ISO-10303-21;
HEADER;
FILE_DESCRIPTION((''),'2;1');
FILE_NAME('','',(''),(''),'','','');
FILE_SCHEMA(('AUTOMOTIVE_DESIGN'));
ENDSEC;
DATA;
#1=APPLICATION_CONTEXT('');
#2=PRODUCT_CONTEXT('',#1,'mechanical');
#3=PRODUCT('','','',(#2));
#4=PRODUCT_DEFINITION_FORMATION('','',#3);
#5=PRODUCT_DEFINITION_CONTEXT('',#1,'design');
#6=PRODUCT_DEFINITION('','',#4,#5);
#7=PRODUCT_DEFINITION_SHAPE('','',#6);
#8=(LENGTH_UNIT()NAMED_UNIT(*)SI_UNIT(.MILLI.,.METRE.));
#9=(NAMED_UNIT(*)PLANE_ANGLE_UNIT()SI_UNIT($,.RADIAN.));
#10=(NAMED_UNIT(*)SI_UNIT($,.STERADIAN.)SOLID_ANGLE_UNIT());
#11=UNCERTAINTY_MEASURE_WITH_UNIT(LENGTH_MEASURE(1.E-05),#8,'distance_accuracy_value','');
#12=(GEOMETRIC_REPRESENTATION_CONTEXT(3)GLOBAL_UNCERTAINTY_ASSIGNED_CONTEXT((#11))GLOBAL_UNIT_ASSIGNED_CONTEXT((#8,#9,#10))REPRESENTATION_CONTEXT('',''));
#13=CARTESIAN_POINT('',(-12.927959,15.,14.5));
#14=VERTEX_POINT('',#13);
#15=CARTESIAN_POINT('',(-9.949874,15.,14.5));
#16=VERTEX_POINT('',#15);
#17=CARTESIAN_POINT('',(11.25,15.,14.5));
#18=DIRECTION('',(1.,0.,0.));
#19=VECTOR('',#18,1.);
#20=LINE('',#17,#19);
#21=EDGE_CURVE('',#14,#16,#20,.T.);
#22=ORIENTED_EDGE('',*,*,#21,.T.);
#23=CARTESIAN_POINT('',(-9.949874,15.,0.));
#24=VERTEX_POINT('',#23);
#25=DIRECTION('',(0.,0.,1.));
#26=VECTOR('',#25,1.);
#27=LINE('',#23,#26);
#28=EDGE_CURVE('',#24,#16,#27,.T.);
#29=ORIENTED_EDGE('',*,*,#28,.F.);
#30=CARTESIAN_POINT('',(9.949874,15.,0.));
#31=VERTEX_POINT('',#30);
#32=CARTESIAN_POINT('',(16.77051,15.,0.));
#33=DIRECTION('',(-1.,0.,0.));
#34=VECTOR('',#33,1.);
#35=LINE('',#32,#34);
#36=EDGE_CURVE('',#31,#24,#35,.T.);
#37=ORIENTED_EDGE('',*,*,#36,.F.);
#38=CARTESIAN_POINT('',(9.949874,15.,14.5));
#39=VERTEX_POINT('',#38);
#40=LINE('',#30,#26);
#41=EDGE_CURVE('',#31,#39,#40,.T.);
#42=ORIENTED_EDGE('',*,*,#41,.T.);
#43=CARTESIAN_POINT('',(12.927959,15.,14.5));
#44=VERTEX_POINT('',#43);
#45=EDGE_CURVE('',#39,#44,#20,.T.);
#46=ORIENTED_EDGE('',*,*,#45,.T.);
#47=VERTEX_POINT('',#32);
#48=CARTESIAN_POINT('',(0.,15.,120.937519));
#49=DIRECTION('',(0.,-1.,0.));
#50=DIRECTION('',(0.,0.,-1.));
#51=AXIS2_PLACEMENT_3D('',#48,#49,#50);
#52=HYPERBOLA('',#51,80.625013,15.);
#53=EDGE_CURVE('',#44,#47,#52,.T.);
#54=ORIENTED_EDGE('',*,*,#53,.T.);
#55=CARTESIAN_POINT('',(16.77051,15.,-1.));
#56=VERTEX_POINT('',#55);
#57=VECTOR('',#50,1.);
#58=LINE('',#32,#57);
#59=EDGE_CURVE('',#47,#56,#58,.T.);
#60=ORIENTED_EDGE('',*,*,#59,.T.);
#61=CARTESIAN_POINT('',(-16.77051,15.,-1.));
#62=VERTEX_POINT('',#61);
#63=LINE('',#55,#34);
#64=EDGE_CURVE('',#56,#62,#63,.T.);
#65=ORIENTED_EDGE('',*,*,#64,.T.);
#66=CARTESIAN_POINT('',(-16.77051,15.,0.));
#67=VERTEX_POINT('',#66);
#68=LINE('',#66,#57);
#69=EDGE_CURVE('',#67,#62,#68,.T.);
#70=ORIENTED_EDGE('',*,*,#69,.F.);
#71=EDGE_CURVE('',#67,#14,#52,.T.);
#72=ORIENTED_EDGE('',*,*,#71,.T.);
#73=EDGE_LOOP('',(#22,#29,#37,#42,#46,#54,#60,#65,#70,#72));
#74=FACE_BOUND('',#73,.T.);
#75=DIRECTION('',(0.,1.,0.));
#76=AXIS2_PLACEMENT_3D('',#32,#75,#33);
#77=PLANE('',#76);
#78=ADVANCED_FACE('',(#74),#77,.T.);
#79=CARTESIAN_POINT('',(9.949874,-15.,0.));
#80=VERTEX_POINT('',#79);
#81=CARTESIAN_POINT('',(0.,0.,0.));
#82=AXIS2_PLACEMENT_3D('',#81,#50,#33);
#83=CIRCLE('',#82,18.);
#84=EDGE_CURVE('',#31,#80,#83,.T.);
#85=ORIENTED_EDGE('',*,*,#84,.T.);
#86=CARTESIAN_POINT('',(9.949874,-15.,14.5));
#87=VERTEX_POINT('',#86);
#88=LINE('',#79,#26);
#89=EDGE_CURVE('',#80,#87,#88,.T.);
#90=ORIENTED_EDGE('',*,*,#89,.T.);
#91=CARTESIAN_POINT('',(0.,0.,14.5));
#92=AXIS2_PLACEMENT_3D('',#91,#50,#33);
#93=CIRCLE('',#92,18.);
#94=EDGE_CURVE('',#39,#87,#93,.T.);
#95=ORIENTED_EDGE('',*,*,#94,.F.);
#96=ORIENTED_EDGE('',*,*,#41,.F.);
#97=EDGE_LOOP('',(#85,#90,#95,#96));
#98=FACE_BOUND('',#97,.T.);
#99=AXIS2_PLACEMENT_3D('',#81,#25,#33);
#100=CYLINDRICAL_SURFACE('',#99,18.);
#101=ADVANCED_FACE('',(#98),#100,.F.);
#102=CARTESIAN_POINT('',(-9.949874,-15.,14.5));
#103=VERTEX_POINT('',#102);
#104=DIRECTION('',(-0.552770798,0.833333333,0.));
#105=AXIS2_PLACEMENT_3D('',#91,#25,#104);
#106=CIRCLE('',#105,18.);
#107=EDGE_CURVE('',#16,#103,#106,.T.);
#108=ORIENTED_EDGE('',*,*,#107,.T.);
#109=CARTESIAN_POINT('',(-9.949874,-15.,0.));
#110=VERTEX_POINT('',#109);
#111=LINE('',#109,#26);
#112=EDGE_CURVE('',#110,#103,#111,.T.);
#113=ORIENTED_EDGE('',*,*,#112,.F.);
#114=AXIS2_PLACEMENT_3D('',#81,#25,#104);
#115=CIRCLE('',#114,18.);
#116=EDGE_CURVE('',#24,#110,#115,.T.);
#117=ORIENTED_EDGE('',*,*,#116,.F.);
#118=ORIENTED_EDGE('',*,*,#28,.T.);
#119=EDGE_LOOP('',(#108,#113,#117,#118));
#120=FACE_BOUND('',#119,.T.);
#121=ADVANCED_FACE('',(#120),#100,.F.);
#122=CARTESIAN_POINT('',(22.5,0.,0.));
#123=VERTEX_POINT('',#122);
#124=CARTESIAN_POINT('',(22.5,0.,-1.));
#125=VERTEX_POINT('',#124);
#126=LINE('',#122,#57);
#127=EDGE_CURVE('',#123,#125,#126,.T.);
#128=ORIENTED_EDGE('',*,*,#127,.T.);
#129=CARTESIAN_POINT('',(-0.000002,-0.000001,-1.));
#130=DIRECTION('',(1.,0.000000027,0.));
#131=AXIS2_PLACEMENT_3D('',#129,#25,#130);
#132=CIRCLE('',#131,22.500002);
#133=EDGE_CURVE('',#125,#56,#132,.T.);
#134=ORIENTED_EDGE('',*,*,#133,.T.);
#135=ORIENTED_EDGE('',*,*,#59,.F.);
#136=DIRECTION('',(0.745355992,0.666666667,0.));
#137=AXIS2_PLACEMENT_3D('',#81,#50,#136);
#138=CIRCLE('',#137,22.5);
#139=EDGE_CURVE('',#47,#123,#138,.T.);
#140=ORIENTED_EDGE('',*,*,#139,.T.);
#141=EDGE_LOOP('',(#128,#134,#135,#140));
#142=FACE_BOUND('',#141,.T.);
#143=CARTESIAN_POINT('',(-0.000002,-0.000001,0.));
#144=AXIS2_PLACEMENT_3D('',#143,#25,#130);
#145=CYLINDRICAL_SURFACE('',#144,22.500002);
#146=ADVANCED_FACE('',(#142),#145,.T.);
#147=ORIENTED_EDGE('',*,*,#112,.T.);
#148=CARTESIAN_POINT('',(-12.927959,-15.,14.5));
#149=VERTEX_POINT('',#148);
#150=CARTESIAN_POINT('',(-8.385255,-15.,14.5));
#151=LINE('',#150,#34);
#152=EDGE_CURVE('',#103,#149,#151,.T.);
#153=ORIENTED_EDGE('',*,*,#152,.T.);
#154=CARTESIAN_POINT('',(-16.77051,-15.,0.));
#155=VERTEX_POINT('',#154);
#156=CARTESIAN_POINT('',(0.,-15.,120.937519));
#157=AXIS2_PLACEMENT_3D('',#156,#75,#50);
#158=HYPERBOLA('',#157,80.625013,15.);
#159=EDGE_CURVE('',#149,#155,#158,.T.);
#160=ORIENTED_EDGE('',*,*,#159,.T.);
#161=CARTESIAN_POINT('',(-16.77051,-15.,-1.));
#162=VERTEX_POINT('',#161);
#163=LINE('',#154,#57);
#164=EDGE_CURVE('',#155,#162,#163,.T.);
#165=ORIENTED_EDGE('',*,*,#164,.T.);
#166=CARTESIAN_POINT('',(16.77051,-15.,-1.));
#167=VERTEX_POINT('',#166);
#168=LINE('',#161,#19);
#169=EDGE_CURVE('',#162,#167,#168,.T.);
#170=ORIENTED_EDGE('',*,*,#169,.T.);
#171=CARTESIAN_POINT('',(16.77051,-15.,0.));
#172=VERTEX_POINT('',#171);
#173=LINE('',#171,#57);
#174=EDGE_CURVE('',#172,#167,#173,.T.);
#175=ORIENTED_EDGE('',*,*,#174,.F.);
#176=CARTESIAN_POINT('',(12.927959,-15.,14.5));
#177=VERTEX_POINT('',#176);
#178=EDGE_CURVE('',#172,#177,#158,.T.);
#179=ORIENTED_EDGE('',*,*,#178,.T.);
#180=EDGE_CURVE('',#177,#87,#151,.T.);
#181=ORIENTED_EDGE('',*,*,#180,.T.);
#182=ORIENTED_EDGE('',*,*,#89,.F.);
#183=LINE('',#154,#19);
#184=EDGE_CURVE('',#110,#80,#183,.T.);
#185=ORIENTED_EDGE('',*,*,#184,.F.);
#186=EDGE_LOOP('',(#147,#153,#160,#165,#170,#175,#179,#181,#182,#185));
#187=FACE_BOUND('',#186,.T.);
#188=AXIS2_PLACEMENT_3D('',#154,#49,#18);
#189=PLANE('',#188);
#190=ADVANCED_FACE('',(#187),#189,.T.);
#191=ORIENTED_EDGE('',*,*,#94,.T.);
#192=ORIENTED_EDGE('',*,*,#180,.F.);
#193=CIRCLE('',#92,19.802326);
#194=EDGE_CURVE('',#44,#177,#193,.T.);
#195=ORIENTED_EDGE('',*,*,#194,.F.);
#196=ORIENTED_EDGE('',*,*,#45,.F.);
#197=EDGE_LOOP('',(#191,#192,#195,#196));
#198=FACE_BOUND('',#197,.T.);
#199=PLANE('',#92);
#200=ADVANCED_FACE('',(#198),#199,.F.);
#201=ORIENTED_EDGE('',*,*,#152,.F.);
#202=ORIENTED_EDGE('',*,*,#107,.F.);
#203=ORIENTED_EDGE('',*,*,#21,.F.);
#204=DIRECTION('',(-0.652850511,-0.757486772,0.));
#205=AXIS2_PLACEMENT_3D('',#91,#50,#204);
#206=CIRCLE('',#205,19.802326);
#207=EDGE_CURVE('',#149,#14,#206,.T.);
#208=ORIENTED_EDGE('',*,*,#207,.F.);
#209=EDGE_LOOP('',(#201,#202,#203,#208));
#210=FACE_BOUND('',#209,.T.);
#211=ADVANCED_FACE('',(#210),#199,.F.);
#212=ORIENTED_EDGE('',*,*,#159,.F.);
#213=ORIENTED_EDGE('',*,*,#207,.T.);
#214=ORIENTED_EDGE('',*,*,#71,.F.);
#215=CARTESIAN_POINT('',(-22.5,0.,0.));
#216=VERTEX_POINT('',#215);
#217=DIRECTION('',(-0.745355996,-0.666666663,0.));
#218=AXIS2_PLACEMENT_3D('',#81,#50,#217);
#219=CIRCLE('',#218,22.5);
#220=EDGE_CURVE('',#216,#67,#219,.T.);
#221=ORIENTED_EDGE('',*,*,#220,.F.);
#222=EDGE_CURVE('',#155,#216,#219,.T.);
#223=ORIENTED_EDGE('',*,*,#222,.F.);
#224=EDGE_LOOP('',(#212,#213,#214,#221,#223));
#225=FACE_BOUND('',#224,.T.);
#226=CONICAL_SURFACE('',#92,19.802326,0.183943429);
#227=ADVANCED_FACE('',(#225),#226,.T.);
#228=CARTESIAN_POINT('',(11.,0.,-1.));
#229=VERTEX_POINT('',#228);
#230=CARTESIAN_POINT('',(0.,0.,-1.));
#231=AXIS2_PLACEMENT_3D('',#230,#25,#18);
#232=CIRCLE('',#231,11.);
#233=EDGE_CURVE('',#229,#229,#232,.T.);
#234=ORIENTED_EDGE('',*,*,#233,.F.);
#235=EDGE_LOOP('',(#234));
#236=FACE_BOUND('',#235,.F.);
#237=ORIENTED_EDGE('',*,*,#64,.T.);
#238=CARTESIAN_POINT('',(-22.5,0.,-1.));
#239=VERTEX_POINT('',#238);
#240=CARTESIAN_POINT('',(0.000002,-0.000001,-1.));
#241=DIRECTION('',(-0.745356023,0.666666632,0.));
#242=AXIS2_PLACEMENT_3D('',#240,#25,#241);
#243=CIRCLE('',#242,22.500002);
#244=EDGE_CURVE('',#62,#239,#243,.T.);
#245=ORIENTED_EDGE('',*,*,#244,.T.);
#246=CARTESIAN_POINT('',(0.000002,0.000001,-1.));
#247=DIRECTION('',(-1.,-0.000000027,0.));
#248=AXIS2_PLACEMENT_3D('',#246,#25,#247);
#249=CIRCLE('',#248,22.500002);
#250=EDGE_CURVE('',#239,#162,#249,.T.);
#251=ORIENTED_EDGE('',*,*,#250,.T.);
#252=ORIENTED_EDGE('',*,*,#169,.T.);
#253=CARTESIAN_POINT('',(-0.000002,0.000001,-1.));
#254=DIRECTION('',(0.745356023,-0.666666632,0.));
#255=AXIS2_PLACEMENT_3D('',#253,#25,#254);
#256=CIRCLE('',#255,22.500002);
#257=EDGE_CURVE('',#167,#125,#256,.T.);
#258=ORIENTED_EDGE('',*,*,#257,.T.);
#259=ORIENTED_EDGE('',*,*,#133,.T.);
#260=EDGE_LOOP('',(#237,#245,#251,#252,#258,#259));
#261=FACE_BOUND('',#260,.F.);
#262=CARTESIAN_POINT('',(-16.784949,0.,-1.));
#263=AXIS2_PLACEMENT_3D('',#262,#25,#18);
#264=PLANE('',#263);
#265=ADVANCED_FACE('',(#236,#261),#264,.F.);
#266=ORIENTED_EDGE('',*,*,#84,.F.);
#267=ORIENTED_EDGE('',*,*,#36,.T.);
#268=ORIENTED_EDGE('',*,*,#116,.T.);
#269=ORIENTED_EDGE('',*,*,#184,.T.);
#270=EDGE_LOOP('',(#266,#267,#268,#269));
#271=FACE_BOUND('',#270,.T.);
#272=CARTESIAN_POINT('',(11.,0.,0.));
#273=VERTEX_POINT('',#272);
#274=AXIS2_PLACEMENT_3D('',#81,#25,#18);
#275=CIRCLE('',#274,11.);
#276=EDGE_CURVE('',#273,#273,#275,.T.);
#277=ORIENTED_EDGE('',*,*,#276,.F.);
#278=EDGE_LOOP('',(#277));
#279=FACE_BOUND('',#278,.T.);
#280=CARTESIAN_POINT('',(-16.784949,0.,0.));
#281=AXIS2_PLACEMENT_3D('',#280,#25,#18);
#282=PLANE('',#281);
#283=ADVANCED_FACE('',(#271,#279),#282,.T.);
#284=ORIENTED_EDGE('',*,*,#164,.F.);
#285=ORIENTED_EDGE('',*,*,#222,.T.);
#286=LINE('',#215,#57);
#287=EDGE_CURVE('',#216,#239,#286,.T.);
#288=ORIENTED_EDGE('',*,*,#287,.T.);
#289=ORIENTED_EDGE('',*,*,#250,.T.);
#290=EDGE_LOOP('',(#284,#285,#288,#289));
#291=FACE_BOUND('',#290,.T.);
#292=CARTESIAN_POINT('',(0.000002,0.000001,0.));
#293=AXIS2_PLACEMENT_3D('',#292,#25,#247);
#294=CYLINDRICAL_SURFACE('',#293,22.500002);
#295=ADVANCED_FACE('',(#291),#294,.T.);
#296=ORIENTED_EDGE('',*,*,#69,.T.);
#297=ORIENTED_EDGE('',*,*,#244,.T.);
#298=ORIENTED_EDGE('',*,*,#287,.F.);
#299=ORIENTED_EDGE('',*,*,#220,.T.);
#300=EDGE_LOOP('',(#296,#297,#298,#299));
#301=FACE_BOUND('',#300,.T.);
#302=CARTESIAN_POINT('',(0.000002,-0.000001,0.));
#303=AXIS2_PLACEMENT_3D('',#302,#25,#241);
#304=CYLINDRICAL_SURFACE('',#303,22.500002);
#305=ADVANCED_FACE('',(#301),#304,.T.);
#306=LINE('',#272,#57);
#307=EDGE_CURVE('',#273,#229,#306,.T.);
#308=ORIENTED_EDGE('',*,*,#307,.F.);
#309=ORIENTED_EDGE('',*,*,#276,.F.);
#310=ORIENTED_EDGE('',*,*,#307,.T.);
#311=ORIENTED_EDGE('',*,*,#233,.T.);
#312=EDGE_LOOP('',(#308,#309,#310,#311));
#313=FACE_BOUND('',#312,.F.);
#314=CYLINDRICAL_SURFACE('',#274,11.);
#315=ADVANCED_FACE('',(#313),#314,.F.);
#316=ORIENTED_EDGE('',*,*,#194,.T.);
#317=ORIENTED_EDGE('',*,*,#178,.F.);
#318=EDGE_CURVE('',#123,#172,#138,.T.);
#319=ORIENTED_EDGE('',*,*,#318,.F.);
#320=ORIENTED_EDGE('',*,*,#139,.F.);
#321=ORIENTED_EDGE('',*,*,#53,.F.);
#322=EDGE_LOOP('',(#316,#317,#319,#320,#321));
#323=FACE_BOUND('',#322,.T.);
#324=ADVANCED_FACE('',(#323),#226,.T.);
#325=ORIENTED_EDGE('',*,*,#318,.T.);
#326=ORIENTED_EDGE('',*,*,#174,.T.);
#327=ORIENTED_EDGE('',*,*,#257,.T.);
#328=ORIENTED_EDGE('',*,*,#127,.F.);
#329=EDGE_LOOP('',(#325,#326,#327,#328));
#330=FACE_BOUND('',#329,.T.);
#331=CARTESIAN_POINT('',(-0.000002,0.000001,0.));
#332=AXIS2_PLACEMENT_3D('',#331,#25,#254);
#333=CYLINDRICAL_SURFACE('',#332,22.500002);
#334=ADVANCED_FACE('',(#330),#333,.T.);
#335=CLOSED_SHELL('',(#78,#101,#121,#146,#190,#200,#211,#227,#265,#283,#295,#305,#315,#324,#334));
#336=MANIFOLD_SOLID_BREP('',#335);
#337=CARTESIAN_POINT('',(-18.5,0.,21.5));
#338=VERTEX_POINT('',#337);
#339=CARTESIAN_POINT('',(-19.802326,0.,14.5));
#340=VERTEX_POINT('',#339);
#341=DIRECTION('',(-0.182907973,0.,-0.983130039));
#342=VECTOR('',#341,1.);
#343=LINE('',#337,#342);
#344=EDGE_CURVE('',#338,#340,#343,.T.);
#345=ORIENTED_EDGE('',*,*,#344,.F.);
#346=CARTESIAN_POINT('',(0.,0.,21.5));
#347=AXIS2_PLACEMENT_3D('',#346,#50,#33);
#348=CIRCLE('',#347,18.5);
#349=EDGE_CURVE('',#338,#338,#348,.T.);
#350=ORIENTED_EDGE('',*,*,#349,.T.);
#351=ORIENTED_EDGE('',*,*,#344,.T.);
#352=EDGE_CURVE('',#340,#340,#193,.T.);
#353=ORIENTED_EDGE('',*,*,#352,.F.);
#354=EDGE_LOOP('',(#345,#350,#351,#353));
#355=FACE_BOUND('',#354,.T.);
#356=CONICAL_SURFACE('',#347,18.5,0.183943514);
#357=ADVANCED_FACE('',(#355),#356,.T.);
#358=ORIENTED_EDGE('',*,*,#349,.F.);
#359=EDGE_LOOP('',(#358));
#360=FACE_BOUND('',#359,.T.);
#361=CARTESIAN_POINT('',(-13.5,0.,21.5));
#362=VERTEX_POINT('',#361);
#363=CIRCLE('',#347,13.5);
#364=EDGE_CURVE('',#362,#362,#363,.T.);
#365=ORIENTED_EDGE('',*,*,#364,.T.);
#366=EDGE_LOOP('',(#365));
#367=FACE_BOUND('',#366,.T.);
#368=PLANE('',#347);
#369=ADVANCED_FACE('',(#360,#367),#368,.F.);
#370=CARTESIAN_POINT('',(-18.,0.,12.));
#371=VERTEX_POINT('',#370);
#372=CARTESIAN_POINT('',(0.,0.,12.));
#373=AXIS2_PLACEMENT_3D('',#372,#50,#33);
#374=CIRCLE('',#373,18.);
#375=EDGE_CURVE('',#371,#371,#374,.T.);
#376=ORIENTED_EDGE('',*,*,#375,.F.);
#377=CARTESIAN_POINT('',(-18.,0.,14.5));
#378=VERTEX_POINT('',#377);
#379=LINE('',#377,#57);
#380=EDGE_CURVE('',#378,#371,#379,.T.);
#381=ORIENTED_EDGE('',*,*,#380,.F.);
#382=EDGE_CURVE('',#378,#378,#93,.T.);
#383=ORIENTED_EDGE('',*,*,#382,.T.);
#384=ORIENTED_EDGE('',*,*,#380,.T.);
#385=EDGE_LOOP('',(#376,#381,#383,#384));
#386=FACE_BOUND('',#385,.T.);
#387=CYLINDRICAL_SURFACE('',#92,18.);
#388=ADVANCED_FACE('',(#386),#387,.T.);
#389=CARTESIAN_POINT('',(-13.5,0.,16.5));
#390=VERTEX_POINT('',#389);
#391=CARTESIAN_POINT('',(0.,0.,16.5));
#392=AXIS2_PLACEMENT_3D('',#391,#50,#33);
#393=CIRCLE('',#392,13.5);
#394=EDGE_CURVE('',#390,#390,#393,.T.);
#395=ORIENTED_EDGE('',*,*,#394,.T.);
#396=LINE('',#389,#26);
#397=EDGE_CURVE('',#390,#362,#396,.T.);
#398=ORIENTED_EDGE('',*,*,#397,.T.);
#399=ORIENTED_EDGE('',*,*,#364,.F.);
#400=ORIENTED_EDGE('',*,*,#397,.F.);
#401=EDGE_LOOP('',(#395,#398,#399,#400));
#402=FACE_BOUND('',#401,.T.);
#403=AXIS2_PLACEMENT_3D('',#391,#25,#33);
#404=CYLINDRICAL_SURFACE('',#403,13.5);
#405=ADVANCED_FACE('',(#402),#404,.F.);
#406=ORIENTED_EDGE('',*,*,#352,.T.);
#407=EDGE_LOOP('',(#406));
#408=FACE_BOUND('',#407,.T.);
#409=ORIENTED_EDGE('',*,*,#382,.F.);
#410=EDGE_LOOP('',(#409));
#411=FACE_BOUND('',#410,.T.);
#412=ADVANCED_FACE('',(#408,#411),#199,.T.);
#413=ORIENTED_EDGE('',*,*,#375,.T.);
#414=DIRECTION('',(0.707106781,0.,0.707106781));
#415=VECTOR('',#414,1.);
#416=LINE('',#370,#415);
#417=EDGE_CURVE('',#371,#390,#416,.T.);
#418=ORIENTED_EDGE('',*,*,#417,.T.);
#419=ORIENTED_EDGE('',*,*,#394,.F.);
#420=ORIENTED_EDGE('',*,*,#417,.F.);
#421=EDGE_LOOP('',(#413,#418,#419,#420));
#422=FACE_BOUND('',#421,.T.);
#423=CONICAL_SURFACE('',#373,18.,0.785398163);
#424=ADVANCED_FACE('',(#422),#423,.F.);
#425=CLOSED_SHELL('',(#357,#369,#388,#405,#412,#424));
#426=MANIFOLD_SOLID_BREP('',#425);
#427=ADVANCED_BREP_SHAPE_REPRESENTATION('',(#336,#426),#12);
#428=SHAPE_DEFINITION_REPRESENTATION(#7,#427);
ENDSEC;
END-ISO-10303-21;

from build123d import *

# Parameters (mm, degrees)
F0_R     = 11
F3_DEPTH = 25
F4_DEPTH = 1


with BuildPart() as f2:
    # F1 (on Front) → F2 (revolve)
    with BuildSketch(Plane.XZ):
        Polygon((-22.5, 0), (-18, 0), (-18, 12), (-18, 14.5), (-19.802326, 14.5), align=None)
    revolve(axis=Axis((0, 0, 2.402903), (0, 0, -1)))

    # F0 (on Top) → F3 (intersect)
    with BuildSketch(Plane.XY):
        with BuildLine():
            ThreePointArc((22.5, 0), (21.018878, -8.028497), (16.77051, -15))
            Line((16.77051, -15), (22.5, -15))
            Line((22.5, -15), (22.5, 0))
        make_face()
        with BuildLine():
            ThreePointArc((-9.949874, -15), (-18, 0), (-9.949874, 15))
            Line((-9.949874, 15), (-16.77051, 15))
            ThreePointArc((-16.77051, 15), (-21.018878, 8.028497), (-22.5, 0))
            ThreePointArc((-22.5, 0), (-21.018878, -8.028497), (-16.77051, -15))
            Line((-16.77051, -15), (-9.949874, -15))
        make_face()
        with BuildLine():
            Line((22.5, 15), (16.77051, 15))
            ThreePointArc((16.77051, 15), (21.018878, 8.028497), (22.5, 0))
            Line((22.5, 0), (22.5, 15))
        make_face()
        with BuildLine():
            ThreePointArc((9.949874, -15), (15.860292, -8.511823), (18, 0))
            ThreePointArc((18, 0), (15.860292, 8.511823), (9.949874, 15))
            Line((9.949874, 15), (-9.949874, 15))
            ThreePointArc((-9.949874, 15), (-18, 0), (-9.949874, -15))
            Line((-9.949874, -15), (9.949874, -15))
        make_face()
        Circle(F0_R, mode=Mode.SUBTRACT)
        Circle(F0_R)
        with BuildLine():
            ThreePointArc((9.949874, 15), (15.860292, 8.511823), (18, 0))
            ThreePointArc((18, 0), (15.860292, -8.511823), (9.949874, -15))
            Line((9.949874, -15), (16.77051, -15))
            ThreePointArc((16.77051, -15), (21.018878, -8.028497), (22.5, 0))
            ThreePointArc((22.5, 0), (21.018878, 8.028497), (16.77051, 15))
            Line((16.77051, 15), (9.949874, 15))
        make_face()
    extrude(amount=F3_DEPTH, mode=Mode.INTERSECT)

    # F0 (on Top) → F4 (join)
    with BuildSketch(Plane.XY):
        with BuildLine():
            ThreePointArc((-9.949874, -15), (-18, 0), (-9.949874, 15))
            Line((-9.949874, 15), (-16.77051, 15))
            ThreePointArc((-16.77051, 15), (-21.018878, 8.028497), (-22.5, 0))
            ThreePointArc((-22.5, 0), (-21.018878, -8.028497), (-16.77051, -15))
            Line((-16.77051, -15), (-9.949874, -15))
        make_face()
        with BuildLine():
            ThreePointArc((9.949874, -15), (15.860292, -8.511823), (18, 0))
            ThreePointArc((18, 0), (15.860292, 8.511823), (9.949874, 15))
            Line((9.949874, 15), (-9.949874, 15))
            ThreePointArc((-9.949874, 15), (-18, 0), (-9.949874, -15))
            Line((-9.949874, -15), (9.949874, -15))
        make_face()
        Circle(F0_R, mode=Mode.SUBTRACT)
        with BuildLine():
            ThreePointArc((9.949874, 15), (15.860292, 8.511823), (18, 0))
            ThreePointArc((18, 0), (15.860292, -8.511823), (9.949874, -15))
            Line((9.949874, -15), (16.77051, -15))
            ThreePointArc((16.77051, -15), (21.018878, -8.028497), (22.5, 0))
            ThreePointArc((22.5, 0), (21.018878, 8.028497), (16.77051, 15))
            Line((16.77051, 15), (9.949874, 15))
        make_face()
    extrude(amount=-F4_DEPTH)


with BuildPart() as f5:
    # F1 (on Front) → F5 (revolve)
    with BuildSketch(Plane.XZ):
        Polygon((-18, 14.5), (-18, 12), (-13.5, 16.5), (-13.5, 21.5), (-18.5, 21.5), (-19.802326, 14.5), align=None)
    revolve(axis=Axis((0, 0, 2.402903), (0, 0, -1)))


solid = Compound([f2.part, f5.part])
